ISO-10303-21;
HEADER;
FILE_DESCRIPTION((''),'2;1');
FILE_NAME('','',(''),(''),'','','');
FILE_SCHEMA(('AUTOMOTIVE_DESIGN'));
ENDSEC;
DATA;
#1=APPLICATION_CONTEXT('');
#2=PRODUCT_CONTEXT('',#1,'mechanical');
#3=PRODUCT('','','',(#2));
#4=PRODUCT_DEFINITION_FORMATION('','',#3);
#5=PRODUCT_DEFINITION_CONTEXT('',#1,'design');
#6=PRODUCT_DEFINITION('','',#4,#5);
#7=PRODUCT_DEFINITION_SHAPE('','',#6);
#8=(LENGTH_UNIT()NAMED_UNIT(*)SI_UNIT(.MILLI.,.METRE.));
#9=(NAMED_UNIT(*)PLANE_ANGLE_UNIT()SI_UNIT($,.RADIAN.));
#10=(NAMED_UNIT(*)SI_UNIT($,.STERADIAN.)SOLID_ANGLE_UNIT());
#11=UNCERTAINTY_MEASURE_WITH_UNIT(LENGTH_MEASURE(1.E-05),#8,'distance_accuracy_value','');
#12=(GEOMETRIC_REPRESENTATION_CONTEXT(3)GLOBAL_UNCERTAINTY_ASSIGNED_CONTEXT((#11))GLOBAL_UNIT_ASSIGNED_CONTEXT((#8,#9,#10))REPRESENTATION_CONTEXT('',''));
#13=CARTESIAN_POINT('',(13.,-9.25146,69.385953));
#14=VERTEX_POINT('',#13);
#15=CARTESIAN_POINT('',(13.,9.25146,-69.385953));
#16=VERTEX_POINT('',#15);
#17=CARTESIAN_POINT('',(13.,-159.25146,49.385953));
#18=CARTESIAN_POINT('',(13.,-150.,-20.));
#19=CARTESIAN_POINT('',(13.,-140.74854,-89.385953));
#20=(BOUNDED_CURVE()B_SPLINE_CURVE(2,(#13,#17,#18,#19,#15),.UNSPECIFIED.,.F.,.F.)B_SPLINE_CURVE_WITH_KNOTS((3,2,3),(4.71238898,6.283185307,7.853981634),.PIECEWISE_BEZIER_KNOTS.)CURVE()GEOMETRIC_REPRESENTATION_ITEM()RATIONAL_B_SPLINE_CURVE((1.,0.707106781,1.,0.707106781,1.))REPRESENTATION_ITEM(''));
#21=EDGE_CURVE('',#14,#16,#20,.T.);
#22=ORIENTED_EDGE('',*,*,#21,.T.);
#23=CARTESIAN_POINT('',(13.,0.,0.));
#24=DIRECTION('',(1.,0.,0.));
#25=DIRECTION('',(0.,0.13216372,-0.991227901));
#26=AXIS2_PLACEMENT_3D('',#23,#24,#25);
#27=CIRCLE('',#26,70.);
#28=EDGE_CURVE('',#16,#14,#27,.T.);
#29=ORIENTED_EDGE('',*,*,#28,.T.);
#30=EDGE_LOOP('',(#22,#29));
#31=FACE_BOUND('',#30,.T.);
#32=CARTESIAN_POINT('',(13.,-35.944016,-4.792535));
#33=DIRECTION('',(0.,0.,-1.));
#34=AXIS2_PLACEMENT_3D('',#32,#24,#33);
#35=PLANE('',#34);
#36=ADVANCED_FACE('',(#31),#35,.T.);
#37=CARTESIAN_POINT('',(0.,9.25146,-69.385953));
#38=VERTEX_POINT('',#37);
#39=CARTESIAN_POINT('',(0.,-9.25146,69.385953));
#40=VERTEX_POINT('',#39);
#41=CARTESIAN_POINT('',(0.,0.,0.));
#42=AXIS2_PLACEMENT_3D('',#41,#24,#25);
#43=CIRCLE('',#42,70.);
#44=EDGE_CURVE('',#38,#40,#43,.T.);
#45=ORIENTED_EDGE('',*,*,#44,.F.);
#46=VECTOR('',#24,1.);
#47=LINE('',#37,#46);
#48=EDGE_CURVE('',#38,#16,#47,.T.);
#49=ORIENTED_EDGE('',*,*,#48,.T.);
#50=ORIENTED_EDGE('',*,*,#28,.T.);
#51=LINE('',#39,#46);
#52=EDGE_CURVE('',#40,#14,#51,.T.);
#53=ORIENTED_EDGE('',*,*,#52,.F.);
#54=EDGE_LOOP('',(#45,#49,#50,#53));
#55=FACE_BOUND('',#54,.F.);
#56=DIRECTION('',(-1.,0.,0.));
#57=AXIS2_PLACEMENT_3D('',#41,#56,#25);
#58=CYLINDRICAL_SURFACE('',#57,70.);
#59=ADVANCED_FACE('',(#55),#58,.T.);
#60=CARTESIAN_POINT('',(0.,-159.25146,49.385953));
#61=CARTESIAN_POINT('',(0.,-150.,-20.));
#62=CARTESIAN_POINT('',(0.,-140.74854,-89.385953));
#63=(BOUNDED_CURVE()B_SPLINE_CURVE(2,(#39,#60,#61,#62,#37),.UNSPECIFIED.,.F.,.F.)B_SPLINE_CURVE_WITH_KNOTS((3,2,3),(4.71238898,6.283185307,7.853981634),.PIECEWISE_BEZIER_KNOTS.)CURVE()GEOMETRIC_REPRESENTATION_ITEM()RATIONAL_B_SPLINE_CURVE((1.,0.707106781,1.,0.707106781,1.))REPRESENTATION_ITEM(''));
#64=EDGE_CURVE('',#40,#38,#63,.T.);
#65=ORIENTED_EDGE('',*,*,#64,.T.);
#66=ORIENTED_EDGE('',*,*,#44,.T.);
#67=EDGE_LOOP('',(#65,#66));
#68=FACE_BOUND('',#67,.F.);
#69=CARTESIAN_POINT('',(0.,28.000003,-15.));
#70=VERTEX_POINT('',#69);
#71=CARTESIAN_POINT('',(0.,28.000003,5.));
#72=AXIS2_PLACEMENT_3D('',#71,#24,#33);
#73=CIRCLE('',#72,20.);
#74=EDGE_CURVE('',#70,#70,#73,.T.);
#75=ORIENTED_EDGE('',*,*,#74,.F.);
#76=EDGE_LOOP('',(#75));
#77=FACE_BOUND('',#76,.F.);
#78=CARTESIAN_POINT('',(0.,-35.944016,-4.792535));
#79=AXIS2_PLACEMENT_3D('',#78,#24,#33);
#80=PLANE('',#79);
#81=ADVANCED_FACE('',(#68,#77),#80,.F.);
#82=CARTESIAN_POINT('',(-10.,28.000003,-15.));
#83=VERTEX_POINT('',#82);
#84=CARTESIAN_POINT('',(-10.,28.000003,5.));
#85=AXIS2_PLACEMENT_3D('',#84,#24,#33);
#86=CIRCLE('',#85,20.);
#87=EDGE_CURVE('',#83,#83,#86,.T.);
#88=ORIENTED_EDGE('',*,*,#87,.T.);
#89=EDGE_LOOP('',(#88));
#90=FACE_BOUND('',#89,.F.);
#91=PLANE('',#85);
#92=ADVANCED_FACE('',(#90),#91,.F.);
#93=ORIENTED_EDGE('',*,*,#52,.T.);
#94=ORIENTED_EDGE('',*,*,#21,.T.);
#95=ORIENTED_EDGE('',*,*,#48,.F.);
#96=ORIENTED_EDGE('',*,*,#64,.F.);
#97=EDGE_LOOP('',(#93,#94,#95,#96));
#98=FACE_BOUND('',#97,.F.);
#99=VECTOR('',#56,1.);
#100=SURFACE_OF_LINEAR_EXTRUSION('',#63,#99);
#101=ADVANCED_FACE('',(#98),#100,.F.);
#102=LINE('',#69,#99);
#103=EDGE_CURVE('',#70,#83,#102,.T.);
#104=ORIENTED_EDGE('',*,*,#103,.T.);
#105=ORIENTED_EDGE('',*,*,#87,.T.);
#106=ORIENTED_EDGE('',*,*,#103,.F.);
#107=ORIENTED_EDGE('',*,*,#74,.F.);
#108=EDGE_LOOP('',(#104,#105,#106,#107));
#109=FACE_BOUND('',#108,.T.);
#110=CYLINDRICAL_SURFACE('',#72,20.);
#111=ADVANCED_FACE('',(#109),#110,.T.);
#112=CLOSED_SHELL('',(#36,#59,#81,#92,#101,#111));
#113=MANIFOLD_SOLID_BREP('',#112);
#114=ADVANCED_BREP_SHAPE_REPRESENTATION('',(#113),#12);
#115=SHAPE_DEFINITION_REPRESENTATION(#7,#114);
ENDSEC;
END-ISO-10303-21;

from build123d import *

# Parameters (mm, degrees)
RESSALTO_EXTRUS_O11_DEPTH = 13
ESBO_O44_R                = 20
RESSALTO_EXTRUS_O12_DEPTH = 10


with BuildPart() as part:
    # Esboço43 → Ressalto-extrusão11 (new body)
    with BuildSketch(Plane(origin=(0, 0, 0), x_dir=(0, 0, -1), z_dir=(1, 0, 0))):
        with BuildLine():
            ThreePointArc((69.385953048, 9.251460406), (-9.251460406, 69.385953048), (-69.385953048, -9.251460406))
            add(Edge.make_bspline(
                [(-69.385953048, -9.251460406), (-49.385953048, -159.251460406), (20, -150), (89.385953048, -140.748539594), (69.385953048, 9.251460406)],
                knots=[4.71238898, 4.71238898, 4.71238898, 6.283185307, 6.283185307, 7.853981634, 7.853981634, 7.853981634], degree=2, weights=[1, 0.707106781, 1, 0.707106781, 1]))
        make_face()
    extrude(amount=RESSALTO_EXTRUS_O11_DEPTH)

    # Esboço44 → Ressalto-extrusão12 (add)
    with BuildSketch(Plane(origin=(0, 0, 0), x_dir=(0, 0, -1), z_dir=(1, 0, 0))):
        with Locations((-5, 28.000002978)):
            Circle(ESBO_O44_R)
    extrude(amount=-RESSALTO_EXTRUS_O12_DEPTH)


solid = part.part
